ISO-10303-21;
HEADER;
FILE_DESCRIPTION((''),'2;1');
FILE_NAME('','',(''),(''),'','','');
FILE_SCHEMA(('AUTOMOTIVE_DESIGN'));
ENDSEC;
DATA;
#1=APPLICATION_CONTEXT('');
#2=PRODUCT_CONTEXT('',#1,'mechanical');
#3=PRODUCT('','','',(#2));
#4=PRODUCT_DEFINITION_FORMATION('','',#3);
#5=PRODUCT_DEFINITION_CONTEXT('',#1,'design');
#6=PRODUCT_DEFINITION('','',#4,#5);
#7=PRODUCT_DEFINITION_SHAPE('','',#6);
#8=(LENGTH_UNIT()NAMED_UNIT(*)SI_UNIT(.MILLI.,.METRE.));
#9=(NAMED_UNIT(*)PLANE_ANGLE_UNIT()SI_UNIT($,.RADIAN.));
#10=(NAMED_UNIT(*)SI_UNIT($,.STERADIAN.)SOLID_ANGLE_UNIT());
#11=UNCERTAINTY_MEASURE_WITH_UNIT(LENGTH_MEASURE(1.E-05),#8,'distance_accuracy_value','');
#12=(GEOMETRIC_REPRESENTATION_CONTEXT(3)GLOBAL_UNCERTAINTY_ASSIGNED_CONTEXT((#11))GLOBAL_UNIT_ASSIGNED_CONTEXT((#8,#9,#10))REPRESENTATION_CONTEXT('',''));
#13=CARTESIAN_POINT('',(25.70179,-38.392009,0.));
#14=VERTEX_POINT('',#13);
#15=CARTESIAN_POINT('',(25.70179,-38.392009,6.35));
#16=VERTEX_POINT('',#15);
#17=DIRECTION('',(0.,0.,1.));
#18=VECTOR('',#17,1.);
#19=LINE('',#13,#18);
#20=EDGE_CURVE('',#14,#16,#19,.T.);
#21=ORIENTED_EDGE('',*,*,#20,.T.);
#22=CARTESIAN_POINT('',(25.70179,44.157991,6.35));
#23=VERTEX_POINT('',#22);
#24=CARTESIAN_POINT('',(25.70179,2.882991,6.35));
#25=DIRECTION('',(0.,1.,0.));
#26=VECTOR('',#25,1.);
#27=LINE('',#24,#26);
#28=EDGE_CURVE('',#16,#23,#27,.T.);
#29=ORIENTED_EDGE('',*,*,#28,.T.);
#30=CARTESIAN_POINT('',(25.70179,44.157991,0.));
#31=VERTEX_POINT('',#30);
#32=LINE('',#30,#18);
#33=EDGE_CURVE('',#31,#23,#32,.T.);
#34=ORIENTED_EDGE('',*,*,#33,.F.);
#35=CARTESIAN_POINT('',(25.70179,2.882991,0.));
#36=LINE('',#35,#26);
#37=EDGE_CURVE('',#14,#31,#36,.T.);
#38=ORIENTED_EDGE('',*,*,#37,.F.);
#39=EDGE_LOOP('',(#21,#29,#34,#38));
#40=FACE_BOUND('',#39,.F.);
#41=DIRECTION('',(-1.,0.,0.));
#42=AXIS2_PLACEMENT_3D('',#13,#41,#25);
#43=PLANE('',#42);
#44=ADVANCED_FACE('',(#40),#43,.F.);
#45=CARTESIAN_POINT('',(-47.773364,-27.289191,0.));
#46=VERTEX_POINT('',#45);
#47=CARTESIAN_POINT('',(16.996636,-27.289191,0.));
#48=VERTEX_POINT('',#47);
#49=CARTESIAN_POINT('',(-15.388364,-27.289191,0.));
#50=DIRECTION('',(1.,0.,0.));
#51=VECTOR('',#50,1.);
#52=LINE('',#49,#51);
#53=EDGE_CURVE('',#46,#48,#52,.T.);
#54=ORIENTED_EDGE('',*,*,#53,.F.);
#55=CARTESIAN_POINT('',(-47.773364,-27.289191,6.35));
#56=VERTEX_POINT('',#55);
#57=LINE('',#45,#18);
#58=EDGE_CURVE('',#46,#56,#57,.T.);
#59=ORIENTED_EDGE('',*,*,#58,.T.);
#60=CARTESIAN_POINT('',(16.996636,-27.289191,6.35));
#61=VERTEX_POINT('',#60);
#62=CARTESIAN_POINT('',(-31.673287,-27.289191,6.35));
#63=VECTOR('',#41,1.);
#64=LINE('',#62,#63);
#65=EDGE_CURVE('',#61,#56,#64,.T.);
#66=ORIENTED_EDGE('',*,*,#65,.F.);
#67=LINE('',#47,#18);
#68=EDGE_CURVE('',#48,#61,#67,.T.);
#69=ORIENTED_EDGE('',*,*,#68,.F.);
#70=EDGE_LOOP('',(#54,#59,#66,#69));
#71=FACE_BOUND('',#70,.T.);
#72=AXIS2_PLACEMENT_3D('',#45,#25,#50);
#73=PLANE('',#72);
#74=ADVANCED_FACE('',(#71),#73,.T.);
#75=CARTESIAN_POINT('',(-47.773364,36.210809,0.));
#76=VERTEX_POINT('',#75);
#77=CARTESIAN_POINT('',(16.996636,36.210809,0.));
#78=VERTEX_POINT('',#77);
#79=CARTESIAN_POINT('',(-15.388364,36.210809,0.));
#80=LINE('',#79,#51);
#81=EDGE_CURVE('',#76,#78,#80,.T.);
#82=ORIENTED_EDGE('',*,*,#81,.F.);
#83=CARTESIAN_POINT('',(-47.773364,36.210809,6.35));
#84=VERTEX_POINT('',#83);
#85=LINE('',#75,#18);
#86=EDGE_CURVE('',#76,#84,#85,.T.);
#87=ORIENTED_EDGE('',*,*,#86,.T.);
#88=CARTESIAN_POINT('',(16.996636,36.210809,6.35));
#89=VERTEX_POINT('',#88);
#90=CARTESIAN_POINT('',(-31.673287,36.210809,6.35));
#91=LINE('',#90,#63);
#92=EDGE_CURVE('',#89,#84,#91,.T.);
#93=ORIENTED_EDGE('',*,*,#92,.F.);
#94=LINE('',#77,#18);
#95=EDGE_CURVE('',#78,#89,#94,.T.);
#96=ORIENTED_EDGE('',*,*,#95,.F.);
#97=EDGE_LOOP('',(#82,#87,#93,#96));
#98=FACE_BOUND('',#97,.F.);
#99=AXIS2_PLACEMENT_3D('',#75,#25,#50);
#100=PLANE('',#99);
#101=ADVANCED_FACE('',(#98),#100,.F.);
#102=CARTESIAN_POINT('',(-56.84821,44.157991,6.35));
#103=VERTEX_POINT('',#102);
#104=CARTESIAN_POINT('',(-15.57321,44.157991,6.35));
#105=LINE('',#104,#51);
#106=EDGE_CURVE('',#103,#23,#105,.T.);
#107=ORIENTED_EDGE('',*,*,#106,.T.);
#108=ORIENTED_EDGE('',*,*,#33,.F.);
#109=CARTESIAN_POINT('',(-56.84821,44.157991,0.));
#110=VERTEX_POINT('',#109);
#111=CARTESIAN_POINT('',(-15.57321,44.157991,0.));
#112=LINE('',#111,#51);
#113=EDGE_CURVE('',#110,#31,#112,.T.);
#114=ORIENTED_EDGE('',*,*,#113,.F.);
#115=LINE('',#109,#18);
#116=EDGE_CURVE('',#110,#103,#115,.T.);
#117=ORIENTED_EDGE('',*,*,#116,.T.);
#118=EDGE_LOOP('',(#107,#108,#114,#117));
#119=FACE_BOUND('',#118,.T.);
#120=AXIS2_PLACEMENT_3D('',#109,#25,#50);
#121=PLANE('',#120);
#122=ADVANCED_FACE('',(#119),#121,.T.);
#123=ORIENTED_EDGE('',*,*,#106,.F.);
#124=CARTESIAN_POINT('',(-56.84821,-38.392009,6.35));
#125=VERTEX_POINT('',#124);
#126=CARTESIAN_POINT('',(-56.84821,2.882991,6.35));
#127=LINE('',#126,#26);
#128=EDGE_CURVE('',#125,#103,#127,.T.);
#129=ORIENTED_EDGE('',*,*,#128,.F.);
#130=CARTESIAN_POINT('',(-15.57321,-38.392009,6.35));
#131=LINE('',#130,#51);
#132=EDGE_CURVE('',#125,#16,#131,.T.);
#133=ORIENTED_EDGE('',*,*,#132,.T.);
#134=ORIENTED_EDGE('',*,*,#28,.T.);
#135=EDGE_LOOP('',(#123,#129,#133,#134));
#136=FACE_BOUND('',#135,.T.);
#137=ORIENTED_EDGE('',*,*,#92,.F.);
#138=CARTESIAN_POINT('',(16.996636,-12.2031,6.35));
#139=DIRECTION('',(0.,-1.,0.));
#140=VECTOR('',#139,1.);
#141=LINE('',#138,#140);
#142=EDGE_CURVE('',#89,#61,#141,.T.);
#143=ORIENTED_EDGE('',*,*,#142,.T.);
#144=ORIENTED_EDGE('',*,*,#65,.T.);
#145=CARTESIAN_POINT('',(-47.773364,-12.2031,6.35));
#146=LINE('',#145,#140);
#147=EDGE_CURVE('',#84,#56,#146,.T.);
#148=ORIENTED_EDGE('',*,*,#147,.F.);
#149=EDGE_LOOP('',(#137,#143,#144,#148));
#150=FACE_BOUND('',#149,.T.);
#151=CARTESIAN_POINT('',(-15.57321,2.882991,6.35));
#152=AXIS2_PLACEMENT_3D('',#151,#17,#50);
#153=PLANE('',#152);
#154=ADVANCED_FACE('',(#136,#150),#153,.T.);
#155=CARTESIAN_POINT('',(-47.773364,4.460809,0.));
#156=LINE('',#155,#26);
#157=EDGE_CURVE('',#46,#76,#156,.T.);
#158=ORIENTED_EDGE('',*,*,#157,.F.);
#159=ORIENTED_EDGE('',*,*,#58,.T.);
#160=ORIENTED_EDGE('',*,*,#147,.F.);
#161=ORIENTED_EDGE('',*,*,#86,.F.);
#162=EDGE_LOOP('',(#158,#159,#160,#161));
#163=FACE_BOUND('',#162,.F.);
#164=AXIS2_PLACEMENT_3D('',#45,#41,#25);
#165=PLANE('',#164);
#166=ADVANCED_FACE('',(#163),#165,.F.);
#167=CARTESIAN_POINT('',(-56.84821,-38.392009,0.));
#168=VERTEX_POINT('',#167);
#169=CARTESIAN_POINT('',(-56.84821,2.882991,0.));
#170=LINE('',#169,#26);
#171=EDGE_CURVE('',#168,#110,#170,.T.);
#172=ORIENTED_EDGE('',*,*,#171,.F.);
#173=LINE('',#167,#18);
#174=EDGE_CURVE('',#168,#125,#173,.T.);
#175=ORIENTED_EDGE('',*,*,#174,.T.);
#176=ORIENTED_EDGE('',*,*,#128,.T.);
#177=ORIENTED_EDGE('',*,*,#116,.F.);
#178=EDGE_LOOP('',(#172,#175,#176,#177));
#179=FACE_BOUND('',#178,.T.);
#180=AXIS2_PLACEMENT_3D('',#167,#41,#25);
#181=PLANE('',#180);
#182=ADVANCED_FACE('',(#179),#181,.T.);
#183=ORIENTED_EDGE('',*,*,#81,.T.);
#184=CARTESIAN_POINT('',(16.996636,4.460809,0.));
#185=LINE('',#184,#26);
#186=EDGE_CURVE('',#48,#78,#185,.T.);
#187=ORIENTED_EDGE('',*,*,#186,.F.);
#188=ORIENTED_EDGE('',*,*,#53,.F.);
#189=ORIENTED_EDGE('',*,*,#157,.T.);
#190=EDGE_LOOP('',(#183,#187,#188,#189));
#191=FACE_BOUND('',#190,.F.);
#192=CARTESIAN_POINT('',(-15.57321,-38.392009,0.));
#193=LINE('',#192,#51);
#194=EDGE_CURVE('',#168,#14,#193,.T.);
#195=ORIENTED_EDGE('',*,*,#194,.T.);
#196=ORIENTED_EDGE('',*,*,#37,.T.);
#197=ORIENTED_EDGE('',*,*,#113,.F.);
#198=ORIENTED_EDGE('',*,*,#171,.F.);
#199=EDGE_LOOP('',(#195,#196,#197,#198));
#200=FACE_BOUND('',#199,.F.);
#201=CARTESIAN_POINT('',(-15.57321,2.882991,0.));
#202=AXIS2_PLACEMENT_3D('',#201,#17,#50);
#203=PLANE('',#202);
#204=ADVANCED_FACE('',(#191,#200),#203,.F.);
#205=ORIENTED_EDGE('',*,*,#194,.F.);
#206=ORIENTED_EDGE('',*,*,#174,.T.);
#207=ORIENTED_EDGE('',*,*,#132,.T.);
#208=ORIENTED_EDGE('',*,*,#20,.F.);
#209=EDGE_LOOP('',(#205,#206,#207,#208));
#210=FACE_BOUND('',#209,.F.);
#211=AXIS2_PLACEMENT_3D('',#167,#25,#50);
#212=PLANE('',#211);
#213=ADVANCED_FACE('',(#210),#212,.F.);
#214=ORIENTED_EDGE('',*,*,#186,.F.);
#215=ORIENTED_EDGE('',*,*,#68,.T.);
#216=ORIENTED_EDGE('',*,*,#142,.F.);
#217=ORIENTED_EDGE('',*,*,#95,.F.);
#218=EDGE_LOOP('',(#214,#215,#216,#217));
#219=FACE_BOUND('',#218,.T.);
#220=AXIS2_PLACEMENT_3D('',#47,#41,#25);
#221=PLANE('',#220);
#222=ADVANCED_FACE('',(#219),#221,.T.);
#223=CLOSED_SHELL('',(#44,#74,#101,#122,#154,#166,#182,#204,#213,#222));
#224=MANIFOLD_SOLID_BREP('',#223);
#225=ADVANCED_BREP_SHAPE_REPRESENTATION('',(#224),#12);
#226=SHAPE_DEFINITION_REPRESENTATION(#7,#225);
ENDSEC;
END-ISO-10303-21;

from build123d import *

# Parameters (mm, degrees)
F0_W     = 82.55
F0_H     = 82.55
F2_DEPTH = 6.35
F1_W     = 64.77
F1_H     = 63.5
F3_DEPTH = 24.638


with BuildPart() as f2:
    # F0 (on Top) → F2 (new body)
    with BuildSketch(Plane.XY):
        with Locations((-15.57321, 2.882991)):
            Rectangle(F0_W, F0_H)
    extrude(amount=F2_DEPTH)

    # F1 (on face) → F3 (cut)
    with BuildSketch(Plane.XY):
        with Locations((-15.388364, 4.460809)):
            Rectangle(F1_W, F1_H)
    extrude(amount=F3_DEPTH, mode=Mode.SUBTRACT)


solid = f2.part
